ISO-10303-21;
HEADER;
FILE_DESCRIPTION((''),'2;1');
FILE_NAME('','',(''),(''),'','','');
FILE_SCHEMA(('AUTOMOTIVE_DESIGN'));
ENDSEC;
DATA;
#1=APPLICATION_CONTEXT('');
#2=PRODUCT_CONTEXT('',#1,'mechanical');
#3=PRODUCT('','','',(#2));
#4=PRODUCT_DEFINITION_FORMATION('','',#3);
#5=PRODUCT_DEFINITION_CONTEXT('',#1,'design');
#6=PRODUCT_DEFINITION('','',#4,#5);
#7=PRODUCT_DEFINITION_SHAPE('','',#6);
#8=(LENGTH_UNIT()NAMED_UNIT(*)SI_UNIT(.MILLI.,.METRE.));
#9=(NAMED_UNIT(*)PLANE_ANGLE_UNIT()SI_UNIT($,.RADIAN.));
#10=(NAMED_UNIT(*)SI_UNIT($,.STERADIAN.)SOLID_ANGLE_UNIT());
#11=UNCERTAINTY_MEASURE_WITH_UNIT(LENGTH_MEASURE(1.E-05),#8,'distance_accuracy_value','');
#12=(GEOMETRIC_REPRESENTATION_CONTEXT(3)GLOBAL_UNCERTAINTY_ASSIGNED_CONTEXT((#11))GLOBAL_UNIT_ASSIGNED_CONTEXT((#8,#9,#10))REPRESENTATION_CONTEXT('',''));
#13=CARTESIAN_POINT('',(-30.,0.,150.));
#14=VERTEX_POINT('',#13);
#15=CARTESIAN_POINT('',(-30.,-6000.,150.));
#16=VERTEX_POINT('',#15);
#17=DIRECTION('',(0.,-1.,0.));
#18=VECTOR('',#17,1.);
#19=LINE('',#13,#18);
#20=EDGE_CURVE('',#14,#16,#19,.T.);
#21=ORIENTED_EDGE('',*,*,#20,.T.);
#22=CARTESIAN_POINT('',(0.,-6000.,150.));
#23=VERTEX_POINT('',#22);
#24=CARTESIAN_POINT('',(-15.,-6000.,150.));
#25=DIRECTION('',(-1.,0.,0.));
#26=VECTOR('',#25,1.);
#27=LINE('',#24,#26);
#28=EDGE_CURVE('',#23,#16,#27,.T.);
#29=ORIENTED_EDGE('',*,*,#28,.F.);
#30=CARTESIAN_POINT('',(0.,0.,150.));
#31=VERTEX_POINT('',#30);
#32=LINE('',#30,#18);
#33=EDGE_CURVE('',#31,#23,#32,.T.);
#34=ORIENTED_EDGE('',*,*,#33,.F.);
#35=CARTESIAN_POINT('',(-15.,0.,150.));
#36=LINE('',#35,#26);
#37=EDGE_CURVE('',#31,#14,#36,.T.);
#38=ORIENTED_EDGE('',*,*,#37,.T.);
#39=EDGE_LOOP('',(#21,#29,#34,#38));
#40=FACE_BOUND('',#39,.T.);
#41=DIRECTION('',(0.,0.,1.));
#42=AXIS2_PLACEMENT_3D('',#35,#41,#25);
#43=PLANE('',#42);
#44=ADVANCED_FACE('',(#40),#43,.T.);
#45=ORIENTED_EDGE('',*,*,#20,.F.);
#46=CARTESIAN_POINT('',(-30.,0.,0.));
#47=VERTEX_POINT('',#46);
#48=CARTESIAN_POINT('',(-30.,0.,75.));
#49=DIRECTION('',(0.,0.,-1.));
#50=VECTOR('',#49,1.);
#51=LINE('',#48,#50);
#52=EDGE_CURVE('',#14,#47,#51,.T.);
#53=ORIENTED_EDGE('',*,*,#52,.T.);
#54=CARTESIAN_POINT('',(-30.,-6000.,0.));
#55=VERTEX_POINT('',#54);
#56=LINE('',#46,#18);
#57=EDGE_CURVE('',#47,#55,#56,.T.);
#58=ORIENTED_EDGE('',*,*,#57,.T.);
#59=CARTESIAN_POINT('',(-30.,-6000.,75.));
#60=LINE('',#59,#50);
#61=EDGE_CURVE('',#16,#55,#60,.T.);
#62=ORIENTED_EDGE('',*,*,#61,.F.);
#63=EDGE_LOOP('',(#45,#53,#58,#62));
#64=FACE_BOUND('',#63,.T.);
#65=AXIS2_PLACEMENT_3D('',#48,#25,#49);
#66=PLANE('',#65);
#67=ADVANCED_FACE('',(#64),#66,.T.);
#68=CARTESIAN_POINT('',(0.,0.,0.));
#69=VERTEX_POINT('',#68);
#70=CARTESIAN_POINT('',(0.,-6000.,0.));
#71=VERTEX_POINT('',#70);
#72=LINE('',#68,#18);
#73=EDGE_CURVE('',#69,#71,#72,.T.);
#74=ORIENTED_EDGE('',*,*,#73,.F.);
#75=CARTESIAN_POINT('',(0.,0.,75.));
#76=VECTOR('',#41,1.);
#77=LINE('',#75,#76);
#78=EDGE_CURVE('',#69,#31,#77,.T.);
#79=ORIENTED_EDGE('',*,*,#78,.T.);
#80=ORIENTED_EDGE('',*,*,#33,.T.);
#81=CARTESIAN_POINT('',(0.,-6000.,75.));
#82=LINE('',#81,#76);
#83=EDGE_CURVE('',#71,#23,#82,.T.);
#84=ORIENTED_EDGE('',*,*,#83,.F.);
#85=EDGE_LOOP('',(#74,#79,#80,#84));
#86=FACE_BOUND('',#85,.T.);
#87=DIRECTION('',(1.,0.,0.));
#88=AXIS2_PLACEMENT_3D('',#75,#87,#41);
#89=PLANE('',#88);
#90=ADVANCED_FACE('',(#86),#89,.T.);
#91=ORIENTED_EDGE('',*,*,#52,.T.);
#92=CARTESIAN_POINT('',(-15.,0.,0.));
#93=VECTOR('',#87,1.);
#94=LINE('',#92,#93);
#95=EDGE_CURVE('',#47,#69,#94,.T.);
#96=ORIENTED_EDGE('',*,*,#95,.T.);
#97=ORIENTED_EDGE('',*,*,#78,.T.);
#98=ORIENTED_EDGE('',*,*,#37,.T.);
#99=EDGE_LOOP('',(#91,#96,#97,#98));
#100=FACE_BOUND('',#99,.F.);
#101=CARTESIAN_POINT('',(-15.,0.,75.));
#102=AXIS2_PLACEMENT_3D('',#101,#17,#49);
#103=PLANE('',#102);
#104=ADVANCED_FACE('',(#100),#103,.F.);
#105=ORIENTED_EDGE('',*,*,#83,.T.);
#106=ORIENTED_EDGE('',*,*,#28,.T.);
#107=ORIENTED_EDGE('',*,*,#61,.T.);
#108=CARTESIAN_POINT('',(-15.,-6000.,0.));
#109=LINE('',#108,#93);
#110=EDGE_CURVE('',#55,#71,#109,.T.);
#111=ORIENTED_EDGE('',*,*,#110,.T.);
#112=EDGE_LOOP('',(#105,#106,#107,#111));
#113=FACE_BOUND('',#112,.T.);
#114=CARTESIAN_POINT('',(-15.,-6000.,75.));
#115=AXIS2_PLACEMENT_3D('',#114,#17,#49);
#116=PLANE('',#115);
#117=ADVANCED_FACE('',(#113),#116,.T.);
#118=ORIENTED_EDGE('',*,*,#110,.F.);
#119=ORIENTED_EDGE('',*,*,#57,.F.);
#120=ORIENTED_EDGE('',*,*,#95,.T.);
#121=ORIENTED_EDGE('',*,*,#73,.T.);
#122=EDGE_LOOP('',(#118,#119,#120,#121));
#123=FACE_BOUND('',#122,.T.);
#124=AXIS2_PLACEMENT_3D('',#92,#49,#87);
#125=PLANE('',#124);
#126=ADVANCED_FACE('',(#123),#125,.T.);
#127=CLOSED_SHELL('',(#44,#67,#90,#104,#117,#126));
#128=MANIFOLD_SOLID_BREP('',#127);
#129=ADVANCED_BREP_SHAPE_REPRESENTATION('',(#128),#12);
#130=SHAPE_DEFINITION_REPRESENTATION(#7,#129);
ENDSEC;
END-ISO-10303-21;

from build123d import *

# Parameters (mm, degrees)
F0_W = 30
F0_H = 150


with BuildPart() as f2:
    # F2: sweep along a path in F1
    with BuildLine(Plane.YZ) as f2_path:
        Line((0, 0), (-6000, 0))
    # F0 (on Front) → F2 (sweep)
    with BuildSketch(Plane.XZ):
        with Locations((-15, 75)):
            Rectangle(F0_W, F0_H)
    sweep(path=f2_path.line)


solid = f2.part
